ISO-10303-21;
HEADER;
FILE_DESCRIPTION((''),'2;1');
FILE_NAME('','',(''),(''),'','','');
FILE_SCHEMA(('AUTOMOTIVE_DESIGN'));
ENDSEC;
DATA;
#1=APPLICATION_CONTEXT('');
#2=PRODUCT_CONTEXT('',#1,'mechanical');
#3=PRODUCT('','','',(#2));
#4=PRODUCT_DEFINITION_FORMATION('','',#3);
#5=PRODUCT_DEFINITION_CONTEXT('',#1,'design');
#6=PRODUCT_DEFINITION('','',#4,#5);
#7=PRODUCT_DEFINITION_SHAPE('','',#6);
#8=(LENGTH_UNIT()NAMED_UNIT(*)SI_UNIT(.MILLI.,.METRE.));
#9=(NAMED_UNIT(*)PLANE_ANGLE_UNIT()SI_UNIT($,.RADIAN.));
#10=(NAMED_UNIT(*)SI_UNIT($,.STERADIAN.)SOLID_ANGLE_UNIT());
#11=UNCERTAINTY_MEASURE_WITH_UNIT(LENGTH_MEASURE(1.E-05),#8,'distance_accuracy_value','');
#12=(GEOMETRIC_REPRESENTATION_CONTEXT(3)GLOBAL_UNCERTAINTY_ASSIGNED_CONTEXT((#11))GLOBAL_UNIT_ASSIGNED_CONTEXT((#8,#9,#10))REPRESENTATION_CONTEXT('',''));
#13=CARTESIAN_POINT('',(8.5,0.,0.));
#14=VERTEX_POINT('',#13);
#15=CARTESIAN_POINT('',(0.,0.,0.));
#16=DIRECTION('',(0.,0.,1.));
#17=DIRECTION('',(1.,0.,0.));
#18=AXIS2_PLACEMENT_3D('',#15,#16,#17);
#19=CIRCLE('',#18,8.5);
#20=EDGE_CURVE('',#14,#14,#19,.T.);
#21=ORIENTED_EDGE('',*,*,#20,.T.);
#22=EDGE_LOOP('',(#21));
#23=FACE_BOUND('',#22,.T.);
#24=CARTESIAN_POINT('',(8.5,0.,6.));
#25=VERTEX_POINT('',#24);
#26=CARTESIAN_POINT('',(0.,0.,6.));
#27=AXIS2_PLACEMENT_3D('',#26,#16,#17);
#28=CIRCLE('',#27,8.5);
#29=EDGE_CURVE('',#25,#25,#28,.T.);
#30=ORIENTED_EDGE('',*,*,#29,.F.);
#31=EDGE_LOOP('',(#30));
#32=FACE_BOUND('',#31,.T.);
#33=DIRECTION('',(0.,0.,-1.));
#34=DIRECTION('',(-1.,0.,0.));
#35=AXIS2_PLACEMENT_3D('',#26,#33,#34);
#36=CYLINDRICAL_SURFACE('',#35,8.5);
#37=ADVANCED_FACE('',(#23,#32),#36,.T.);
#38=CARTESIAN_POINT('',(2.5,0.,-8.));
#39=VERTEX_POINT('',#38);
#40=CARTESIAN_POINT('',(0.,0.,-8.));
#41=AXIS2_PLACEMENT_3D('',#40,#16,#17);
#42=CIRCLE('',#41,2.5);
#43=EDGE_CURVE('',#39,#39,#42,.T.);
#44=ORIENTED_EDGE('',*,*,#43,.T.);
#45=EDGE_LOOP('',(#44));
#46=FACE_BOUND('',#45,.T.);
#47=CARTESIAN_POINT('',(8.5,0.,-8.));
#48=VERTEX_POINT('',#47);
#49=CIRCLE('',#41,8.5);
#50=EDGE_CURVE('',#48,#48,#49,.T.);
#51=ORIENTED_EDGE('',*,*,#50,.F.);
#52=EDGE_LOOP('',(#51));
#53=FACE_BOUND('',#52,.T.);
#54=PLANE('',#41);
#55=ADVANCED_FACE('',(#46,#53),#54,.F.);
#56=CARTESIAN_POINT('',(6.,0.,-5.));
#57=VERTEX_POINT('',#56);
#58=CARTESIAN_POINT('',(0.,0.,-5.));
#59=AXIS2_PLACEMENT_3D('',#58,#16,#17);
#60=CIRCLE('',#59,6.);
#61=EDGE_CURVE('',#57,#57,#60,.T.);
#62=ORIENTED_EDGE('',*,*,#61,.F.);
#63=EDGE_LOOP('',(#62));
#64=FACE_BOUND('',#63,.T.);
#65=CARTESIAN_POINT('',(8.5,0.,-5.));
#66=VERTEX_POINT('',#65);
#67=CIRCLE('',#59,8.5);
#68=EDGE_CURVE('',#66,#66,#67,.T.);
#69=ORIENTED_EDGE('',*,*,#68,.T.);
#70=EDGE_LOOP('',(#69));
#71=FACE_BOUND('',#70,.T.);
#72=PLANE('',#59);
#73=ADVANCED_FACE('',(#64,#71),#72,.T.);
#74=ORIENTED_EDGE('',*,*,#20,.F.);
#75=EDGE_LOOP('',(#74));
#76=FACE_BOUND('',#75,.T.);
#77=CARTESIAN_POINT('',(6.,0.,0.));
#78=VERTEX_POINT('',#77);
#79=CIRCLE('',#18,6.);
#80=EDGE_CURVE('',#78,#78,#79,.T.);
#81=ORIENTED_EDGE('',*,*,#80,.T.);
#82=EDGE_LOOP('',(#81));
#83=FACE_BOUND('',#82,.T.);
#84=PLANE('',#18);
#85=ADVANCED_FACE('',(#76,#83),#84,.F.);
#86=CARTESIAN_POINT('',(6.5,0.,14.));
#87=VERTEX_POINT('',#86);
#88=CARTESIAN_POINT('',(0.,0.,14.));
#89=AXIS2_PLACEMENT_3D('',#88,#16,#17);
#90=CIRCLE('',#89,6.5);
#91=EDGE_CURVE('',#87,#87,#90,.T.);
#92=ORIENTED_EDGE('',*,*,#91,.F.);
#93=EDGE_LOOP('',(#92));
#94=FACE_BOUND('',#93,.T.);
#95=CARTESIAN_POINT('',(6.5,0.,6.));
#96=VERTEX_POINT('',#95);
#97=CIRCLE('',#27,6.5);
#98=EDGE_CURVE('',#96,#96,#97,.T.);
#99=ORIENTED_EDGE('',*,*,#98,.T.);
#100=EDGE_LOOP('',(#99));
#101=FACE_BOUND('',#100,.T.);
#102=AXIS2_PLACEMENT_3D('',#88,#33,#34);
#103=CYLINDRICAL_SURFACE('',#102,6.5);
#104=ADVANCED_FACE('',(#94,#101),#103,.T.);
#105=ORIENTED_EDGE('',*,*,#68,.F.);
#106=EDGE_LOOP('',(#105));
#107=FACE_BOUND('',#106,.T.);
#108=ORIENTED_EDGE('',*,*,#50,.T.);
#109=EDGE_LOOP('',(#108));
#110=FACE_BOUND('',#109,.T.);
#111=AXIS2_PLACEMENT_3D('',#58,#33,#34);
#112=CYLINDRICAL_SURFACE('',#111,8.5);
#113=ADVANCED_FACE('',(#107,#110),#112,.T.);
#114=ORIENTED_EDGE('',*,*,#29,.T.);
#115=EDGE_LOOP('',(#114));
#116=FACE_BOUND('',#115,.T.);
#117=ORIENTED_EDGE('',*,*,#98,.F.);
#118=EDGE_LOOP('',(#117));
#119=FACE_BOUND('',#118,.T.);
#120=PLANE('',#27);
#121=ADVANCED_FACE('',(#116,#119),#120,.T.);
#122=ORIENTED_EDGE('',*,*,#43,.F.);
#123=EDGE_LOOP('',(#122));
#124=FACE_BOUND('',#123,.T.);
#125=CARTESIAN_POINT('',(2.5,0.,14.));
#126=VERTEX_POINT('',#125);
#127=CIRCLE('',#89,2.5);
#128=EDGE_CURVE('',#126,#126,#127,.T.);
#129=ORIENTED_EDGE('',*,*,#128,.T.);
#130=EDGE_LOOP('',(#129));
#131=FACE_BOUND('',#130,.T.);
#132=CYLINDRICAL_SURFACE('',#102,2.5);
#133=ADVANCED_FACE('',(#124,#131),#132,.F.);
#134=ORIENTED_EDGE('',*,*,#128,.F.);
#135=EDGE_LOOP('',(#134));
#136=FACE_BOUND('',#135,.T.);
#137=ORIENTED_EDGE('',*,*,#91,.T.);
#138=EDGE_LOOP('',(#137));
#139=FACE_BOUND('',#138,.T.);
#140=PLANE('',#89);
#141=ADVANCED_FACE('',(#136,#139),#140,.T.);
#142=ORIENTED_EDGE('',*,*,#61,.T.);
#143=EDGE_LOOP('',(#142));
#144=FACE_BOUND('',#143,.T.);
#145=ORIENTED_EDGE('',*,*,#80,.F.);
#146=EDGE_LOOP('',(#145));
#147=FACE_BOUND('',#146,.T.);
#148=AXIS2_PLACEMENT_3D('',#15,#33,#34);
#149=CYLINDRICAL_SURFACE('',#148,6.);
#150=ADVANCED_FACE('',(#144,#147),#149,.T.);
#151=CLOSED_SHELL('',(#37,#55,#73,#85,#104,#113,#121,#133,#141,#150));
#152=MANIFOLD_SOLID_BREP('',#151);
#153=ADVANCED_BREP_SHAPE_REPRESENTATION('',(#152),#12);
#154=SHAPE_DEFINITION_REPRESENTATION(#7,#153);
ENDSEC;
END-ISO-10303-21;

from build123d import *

# Parameters (mm, degrees)
THREAD_START          = -5
SKETCH1_R             = 6
THREAD_DEPTH          = 5
LOCK_NUT_START        = -8
SKETCH2_R             = 8.5
LOCK_NUT_DEPTH        = 3
SKETCH3_R             = 8.5
BODY_DEPTH            = 6
DOME_START            = 6
SKETCH4_R             = 6.5
DOME_DEPTH            = 8
CABLE_HOLE_DEPTH      = 19.452642087
CABLE_HOLE_DEPTH_BACK = 19.452642087
SKETCH5_R             = 2.5


with BuildPart() as part:
    # Sketch1 → Thread (new body)
    with BuildSketch(Plane.XY.offset(THREAD_START)):
        Circle(SKETCH1_R)
    extrude(amount=THREAD_DEPTH)

    # Sketch2 → Lock_Nut (add)
    with BuildSketch(Plane.XY.offset(LOCK_NUT_START)):
        Circle(SKETCH2_R)
    extrude(amount=LOCK_NUT_DEPTH)

    # Sketch3 → Body (add)
    with BuildSketch(Plane.XY):
        Circle(SKETCH3_R)
    extrude(amount=BODY_DEPTH)

    # Sketch4 → Dome (add)
    with BuildSketch(Plane.XY.offset(DOME_START)):
        Circle(SKETCH4_R)
    extrude(amount=DOME_DEPTH)

    # Sketch5 → Cable_Hole (cut, two sides: drawn at the far end of the back side and taken through both)
    with BuildSketch(Plane.XY.offset(-CABLE_HOLE_DEPTH_BACK)):
        Circle(SKETCH5_R)
    extrude(amount=CABLE_HOLE_DEPTH + CABLE_HOLE_DEPTH_BACK, mode=Mode.SUBTRACT)


solid = part.part
